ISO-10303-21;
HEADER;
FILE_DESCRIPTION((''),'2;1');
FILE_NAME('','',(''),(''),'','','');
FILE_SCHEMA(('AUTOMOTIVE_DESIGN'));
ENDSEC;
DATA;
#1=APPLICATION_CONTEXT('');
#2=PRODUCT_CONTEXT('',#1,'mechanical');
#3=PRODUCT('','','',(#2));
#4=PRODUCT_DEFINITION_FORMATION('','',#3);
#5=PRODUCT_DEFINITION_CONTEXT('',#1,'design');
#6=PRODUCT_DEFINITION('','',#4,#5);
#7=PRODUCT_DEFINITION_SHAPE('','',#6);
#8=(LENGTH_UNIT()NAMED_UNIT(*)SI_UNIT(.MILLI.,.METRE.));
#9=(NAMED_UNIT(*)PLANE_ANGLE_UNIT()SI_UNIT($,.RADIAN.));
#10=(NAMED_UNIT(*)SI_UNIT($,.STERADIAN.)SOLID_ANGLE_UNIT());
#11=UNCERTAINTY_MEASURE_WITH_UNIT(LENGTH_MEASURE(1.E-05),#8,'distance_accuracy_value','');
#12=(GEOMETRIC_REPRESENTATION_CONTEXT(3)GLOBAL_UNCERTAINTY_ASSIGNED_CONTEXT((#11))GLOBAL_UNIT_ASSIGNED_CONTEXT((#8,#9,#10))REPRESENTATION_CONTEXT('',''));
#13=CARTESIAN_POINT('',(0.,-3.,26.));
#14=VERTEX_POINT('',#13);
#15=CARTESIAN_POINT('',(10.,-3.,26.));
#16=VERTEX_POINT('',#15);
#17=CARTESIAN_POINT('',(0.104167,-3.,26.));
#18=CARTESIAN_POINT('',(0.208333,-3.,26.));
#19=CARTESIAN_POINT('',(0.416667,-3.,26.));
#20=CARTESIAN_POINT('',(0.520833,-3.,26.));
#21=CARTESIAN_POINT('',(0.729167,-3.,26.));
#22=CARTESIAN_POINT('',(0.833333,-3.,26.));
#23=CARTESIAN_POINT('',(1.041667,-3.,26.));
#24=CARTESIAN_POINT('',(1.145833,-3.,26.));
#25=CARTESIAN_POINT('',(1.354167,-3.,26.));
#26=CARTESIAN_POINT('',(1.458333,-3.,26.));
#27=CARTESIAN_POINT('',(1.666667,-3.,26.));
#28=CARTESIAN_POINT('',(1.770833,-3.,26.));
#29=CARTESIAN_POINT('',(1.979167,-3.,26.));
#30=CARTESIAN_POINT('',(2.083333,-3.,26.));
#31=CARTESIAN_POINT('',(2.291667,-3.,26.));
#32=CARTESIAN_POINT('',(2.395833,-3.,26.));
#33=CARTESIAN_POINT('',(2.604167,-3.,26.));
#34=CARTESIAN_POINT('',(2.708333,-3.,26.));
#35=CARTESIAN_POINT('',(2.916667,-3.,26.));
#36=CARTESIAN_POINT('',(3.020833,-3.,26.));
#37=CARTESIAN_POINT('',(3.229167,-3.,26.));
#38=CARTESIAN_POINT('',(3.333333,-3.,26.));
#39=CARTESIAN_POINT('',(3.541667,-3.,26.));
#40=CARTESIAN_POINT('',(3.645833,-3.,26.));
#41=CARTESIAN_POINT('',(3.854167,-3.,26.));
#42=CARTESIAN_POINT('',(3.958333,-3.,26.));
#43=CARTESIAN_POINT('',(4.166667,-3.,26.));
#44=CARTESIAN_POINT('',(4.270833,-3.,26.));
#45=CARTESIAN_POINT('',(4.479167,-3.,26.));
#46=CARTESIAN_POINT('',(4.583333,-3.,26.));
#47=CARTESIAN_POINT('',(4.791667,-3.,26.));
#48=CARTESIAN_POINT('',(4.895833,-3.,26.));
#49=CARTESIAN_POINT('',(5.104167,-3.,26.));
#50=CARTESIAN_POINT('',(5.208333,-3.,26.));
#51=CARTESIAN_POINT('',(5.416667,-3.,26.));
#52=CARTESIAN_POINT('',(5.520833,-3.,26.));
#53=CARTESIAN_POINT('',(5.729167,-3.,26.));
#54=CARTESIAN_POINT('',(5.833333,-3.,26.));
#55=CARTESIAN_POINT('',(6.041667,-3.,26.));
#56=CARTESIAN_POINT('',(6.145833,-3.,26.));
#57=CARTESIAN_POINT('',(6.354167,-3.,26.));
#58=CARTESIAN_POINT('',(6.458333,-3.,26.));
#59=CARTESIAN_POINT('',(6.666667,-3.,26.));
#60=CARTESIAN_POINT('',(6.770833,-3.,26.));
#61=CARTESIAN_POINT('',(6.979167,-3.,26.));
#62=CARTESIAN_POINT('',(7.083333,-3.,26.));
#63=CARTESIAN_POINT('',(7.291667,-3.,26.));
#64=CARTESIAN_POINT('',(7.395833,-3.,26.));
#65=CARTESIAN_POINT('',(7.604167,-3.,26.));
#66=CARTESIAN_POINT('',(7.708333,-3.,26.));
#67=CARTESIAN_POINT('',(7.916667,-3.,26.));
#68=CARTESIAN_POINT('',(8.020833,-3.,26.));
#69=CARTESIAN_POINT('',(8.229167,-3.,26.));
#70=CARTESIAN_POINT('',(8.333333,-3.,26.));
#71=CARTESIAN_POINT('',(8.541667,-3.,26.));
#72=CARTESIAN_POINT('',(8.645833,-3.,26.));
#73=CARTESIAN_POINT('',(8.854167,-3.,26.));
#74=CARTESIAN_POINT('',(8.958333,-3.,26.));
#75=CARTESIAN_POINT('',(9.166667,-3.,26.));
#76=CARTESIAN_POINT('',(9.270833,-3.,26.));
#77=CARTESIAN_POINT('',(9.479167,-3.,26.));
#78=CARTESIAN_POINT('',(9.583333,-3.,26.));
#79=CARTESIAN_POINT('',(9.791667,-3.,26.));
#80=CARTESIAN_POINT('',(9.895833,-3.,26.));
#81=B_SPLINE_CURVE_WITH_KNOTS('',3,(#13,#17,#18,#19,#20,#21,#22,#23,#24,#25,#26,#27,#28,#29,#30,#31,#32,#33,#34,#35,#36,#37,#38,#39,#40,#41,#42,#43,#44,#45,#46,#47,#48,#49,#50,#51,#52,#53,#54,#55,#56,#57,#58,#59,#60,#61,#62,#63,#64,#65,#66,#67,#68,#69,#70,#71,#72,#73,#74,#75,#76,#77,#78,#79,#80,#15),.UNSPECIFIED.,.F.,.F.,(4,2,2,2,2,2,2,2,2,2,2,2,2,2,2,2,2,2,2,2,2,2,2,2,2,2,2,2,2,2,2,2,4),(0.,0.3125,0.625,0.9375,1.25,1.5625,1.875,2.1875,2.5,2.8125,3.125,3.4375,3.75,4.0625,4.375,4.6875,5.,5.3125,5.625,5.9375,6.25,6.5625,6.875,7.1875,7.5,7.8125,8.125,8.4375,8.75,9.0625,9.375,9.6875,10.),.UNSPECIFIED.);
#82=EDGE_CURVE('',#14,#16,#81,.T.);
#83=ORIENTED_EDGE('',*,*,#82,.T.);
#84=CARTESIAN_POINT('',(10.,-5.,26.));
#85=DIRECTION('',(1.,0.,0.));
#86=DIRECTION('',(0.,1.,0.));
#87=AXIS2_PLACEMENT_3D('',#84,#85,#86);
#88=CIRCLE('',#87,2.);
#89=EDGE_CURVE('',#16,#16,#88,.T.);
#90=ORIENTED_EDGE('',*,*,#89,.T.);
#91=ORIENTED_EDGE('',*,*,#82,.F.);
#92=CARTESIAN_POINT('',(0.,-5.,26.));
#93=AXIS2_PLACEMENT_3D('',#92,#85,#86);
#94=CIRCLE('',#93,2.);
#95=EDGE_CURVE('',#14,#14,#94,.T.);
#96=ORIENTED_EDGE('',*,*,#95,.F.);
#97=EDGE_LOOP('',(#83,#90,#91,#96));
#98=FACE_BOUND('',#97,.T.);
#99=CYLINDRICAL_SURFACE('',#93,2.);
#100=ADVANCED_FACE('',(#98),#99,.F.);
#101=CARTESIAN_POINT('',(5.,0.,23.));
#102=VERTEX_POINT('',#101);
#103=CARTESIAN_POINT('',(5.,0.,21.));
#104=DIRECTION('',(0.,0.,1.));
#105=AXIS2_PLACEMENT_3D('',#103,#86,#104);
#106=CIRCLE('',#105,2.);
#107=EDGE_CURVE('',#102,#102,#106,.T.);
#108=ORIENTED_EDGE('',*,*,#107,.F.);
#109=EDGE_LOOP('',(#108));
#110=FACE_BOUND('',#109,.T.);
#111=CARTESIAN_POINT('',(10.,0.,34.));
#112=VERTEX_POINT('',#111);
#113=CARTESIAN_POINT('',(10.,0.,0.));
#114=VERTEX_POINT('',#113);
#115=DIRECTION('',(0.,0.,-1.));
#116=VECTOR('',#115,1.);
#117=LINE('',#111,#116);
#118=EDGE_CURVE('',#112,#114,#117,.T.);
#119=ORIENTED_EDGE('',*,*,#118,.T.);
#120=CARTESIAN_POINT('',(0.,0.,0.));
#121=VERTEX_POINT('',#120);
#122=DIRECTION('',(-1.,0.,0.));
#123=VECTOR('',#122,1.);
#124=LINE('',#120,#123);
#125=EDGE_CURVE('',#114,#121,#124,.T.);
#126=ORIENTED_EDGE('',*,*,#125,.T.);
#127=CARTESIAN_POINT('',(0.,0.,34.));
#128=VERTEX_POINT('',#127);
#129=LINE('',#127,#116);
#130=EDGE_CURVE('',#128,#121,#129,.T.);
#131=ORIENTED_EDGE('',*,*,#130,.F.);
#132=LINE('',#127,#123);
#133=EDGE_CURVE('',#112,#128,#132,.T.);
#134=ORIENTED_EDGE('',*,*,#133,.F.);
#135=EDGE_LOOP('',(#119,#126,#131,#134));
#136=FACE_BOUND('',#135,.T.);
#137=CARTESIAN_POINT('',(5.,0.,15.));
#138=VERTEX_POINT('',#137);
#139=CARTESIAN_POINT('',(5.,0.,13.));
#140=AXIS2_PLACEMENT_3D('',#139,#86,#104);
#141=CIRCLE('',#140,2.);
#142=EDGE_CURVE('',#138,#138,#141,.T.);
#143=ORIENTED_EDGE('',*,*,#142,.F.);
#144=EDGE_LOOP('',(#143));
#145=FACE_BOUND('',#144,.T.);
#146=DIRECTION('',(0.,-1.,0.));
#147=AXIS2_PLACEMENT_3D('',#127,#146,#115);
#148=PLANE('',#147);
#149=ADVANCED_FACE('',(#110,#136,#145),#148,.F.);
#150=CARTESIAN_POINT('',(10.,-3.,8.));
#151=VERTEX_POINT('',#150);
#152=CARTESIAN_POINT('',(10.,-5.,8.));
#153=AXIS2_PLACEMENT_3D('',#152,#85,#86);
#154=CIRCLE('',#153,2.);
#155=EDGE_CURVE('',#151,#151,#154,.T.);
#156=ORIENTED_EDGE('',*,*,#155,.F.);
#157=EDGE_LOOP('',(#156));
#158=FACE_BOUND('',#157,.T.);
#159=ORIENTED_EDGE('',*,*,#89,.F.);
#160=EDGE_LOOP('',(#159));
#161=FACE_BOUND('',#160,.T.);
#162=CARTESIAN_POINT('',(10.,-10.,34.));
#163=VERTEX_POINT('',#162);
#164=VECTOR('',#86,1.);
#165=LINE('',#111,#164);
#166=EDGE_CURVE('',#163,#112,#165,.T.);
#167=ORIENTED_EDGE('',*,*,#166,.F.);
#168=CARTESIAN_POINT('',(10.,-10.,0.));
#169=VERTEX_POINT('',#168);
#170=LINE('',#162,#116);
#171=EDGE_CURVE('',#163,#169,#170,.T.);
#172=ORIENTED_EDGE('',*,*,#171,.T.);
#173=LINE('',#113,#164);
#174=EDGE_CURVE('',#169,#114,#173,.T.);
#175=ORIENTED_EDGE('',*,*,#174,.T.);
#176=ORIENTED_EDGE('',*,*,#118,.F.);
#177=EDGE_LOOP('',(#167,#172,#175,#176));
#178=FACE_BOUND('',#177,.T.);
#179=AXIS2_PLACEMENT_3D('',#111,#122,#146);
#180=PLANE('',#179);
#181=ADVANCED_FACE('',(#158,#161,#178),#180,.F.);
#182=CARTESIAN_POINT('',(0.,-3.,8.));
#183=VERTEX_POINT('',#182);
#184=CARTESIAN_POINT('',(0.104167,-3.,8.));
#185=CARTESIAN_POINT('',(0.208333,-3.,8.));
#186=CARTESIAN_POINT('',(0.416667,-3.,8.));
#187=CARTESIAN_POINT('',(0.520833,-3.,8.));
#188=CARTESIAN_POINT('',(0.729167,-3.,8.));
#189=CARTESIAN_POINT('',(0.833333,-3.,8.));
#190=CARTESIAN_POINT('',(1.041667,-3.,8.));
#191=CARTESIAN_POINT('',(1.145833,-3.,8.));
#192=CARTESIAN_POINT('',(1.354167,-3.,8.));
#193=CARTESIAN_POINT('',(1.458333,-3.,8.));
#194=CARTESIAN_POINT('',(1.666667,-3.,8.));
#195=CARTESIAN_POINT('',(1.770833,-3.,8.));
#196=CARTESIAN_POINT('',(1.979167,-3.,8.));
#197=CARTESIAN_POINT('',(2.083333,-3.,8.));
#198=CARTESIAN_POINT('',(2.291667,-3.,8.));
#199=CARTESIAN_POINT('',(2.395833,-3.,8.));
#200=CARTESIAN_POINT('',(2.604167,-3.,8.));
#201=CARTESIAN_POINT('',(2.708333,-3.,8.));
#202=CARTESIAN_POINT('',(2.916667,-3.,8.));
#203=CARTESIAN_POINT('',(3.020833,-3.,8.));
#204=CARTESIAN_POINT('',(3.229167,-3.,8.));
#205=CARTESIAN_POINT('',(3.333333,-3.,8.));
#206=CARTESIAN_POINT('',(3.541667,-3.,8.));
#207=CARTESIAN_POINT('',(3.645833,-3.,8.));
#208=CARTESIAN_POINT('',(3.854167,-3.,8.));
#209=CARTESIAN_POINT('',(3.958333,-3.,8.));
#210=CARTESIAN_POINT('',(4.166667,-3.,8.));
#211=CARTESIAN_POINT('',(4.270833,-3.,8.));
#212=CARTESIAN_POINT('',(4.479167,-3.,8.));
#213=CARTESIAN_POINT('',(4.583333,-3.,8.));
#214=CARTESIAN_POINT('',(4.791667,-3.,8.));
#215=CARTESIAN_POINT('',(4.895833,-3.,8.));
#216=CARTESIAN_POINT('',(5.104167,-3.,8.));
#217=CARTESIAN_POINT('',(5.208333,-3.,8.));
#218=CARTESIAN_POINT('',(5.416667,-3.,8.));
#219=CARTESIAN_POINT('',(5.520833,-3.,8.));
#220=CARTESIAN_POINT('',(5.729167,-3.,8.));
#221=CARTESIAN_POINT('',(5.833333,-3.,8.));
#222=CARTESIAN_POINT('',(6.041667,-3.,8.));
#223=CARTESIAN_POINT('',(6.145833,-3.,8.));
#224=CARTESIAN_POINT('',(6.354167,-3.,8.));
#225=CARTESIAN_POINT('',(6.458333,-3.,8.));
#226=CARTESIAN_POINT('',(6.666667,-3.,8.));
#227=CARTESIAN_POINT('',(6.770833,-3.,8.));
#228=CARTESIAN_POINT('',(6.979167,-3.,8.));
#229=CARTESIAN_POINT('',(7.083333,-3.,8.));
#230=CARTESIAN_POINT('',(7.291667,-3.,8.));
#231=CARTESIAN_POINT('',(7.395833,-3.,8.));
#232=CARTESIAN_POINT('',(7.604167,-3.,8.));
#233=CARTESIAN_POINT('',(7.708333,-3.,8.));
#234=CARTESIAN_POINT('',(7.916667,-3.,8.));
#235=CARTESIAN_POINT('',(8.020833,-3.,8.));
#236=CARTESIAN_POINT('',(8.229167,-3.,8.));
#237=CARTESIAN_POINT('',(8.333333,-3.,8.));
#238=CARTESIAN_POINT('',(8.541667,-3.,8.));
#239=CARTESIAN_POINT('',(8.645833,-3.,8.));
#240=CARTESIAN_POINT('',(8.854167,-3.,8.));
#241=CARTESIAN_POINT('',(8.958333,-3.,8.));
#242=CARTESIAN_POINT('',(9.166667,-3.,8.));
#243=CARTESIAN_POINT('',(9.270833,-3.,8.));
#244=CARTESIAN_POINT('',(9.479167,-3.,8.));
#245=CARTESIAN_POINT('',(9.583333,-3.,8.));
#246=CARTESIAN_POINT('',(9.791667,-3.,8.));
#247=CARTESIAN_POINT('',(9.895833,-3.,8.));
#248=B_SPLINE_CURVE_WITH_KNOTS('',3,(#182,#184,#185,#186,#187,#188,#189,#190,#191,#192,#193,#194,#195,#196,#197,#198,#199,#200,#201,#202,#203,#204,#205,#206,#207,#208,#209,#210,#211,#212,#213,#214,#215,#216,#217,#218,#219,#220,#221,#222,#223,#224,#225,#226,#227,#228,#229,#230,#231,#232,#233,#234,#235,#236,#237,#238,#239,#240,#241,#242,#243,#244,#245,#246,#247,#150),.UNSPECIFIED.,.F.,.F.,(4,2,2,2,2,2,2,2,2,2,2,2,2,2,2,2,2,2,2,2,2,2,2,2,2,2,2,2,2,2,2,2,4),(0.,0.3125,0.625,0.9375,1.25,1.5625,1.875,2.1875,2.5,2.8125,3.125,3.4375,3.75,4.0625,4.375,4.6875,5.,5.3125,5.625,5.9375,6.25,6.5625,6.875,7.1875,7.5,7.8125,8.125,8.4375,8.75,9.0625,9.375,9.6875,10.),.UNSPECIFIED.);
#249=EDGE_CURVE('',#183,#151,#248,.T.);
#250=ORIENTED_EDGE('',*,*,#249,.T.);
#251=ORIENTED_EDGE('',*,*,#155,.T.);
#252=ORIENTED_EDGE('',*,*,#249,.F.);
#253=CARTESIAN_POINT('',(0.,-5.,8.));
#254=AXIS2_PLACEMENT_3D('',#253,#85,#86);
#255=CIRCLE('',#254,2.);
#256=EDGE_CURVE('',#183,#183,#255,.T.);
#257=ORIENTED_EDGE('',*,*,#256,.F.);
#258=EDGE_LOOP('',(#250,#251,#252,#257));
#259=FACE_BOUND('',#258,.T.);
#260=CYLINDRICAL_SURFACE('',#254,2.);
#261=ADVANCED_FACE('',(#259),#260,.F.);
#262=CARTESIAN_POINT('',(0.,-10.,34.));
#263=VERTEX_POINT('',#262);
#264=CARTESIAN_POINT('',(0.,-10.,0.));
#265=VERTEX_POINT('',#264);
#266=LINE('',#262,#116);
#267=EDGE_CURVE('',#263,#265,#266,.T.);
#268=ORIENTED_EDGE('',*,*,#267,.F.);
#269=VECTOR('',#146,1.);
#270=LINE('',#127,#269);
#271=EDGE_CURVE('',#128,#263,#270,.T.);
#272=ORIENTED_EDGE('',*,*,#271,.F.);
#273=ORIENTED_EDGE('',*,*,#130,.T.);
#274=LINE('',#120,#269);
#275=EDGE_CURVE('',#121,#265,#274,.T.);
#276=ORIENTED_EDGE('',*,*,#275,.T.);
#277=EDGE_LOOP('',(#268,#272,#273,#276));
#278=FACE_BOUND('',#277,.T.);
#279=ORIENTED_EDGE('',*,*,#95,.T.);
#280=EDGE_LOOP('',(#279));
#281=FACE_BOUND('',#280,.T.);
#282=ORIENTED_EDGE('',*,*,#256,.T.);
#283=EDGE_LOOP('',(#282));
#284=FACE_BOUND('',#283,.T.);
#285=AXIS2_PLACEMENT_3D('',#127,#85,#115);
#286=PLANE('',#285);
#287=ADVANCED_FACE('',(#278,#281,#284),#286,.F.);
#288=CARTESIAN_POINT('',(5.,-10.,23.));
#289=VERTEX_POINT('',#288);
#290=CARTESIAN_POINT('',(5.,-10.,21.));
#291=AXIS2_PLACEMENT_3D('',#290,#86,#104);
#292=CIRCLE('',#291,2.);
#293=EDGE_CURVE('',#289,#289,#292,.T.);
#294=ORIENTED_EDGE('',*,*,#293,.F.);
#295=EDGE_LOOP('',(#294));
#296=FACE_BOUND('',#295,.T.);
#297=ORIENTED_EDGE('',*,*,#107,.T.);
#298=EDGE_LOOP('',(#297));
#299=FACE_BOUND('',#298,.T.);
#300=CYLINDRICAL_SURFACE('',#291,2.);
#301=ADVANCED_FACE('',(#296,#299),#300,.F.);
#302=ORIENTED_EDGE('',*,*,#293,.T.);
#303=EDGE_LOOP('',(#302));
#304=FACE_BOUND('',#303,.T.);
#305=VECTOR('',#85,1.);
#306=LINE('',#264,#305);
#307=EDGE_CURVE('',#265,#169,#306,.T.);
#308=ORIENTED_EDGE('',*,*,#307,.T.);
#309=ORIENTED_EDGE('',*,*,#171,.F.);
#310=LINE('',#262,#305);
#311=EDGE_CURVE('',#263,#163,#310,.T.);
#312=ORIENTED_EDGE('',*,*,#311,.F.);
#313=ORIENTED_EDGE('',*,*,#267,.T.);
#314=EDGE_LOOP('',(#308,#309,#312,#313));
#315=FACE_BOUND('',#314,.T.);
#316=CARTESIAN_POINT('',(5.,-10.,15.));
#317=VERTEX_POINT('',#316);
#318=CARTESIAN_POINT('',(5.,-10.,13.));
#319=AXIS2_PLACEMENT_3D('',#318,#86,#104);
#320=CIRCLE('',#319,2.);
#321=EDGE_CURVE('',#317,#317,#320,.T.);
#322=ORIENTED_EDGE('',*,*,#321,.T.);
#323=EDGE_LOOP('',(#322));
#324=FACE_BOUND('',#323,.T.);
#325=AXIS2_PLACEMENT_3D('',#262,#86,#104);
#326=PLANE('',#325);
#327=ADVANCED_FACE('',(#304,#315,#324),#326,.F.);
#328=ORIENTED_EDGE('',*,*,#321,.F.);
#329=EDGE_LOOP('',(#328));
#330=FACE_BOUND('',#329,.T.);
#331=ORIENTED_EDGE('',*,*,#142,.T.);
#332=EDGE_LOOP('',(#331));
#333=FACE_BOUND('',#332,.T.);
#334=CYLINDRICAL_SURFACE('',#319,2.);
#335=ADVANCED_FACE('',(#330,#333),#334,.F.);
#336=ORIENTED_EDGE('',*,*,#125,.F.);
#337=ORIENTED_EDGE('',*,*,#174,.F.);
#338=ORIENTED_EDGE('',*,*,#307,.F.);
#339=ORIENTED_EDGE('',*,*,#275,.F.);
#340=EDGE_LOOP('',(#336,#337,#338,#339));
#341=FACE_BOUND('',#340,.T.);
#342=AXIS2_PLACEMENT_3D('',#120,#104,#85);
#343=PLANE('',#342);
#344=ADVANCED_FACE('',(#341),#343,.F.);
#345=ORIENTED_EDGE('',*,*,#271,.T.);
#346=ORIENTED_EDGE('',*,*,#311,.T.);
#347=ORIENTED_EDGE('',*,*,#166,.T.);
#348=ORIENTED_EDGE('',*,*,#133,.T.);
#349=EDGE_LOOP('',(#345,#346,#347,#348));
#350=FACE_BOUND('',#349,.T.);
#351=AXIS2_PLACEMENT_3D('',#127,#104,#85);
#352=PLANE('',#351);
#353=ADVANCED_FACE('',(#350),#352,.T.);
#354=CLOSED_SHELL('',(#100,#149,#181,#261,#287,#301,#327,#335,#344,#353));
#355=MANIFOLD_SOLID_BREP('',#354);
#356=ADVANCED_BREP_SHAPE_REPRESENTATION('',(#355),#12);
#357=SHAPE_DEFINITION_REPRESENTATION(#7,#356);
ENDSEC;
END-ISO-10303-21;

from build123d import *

# Parameters (mm, degrees)
SKETCH_1_W          = 10
SKETCH_1_H          = 10
EXTRUDE_1_DEPTH     = 34
SKETCH_2_R          = 2
CUT_EXTRUDE_1_DEPTH = 37.823905279
SKETCH_3_R          = 2
CUT_EXTRUDE_2_DEPTH = 37.823905279


with BuildPart() as part:
    # 草图1 → 凸台-拉伸1 (new body)
    with BuildSketch(Plane.XY):
        with Locations((5, -5)):
            Rectangle(SKETCH_1_W, SKETCH_1_H)
    extrude(amount=EXTRUDE_1_DEPTH)

    # 草图2 → 切除-拉伸1 (cut, through all)
    with BuildSketch(Plane(origin=(10, 0, 0), x_dir=(0, 0, -1), z_dir=(1, 0, 0))):
        with Locations(Location((-26, -5, 0), (0, 0, 90))):
            Circle(SKETCH_2_R)
        with Locations(Location((-8, -5, 0), (0, 0, 90))):
            Circle(SKETCH_2_R)
    extrude(amount=-CUT_EXTRUDE_1_DEPTH, mode=Mode.SUBTRACT)

    # 草图3 → 切除-拉伸2 (cut, through all)
    with BuildSketch(Plane(origin=(0, 0, 0), x_dir=(1, 0, 0), z_dir=(0, 1, 0))):
        with Locations(Location((5, -13, 0), (0, 0, 270))):
            Circle(SKETCH_3_R)
        with Locations(Location((5, -21, 0), (0, 0, 270))):
            Circle(SKETCH_3_R)
    extrude(amount=-CUT_EXTRUDE_2_DEPTH, mode=Mode.SUBTRACT)


solid = part.part
